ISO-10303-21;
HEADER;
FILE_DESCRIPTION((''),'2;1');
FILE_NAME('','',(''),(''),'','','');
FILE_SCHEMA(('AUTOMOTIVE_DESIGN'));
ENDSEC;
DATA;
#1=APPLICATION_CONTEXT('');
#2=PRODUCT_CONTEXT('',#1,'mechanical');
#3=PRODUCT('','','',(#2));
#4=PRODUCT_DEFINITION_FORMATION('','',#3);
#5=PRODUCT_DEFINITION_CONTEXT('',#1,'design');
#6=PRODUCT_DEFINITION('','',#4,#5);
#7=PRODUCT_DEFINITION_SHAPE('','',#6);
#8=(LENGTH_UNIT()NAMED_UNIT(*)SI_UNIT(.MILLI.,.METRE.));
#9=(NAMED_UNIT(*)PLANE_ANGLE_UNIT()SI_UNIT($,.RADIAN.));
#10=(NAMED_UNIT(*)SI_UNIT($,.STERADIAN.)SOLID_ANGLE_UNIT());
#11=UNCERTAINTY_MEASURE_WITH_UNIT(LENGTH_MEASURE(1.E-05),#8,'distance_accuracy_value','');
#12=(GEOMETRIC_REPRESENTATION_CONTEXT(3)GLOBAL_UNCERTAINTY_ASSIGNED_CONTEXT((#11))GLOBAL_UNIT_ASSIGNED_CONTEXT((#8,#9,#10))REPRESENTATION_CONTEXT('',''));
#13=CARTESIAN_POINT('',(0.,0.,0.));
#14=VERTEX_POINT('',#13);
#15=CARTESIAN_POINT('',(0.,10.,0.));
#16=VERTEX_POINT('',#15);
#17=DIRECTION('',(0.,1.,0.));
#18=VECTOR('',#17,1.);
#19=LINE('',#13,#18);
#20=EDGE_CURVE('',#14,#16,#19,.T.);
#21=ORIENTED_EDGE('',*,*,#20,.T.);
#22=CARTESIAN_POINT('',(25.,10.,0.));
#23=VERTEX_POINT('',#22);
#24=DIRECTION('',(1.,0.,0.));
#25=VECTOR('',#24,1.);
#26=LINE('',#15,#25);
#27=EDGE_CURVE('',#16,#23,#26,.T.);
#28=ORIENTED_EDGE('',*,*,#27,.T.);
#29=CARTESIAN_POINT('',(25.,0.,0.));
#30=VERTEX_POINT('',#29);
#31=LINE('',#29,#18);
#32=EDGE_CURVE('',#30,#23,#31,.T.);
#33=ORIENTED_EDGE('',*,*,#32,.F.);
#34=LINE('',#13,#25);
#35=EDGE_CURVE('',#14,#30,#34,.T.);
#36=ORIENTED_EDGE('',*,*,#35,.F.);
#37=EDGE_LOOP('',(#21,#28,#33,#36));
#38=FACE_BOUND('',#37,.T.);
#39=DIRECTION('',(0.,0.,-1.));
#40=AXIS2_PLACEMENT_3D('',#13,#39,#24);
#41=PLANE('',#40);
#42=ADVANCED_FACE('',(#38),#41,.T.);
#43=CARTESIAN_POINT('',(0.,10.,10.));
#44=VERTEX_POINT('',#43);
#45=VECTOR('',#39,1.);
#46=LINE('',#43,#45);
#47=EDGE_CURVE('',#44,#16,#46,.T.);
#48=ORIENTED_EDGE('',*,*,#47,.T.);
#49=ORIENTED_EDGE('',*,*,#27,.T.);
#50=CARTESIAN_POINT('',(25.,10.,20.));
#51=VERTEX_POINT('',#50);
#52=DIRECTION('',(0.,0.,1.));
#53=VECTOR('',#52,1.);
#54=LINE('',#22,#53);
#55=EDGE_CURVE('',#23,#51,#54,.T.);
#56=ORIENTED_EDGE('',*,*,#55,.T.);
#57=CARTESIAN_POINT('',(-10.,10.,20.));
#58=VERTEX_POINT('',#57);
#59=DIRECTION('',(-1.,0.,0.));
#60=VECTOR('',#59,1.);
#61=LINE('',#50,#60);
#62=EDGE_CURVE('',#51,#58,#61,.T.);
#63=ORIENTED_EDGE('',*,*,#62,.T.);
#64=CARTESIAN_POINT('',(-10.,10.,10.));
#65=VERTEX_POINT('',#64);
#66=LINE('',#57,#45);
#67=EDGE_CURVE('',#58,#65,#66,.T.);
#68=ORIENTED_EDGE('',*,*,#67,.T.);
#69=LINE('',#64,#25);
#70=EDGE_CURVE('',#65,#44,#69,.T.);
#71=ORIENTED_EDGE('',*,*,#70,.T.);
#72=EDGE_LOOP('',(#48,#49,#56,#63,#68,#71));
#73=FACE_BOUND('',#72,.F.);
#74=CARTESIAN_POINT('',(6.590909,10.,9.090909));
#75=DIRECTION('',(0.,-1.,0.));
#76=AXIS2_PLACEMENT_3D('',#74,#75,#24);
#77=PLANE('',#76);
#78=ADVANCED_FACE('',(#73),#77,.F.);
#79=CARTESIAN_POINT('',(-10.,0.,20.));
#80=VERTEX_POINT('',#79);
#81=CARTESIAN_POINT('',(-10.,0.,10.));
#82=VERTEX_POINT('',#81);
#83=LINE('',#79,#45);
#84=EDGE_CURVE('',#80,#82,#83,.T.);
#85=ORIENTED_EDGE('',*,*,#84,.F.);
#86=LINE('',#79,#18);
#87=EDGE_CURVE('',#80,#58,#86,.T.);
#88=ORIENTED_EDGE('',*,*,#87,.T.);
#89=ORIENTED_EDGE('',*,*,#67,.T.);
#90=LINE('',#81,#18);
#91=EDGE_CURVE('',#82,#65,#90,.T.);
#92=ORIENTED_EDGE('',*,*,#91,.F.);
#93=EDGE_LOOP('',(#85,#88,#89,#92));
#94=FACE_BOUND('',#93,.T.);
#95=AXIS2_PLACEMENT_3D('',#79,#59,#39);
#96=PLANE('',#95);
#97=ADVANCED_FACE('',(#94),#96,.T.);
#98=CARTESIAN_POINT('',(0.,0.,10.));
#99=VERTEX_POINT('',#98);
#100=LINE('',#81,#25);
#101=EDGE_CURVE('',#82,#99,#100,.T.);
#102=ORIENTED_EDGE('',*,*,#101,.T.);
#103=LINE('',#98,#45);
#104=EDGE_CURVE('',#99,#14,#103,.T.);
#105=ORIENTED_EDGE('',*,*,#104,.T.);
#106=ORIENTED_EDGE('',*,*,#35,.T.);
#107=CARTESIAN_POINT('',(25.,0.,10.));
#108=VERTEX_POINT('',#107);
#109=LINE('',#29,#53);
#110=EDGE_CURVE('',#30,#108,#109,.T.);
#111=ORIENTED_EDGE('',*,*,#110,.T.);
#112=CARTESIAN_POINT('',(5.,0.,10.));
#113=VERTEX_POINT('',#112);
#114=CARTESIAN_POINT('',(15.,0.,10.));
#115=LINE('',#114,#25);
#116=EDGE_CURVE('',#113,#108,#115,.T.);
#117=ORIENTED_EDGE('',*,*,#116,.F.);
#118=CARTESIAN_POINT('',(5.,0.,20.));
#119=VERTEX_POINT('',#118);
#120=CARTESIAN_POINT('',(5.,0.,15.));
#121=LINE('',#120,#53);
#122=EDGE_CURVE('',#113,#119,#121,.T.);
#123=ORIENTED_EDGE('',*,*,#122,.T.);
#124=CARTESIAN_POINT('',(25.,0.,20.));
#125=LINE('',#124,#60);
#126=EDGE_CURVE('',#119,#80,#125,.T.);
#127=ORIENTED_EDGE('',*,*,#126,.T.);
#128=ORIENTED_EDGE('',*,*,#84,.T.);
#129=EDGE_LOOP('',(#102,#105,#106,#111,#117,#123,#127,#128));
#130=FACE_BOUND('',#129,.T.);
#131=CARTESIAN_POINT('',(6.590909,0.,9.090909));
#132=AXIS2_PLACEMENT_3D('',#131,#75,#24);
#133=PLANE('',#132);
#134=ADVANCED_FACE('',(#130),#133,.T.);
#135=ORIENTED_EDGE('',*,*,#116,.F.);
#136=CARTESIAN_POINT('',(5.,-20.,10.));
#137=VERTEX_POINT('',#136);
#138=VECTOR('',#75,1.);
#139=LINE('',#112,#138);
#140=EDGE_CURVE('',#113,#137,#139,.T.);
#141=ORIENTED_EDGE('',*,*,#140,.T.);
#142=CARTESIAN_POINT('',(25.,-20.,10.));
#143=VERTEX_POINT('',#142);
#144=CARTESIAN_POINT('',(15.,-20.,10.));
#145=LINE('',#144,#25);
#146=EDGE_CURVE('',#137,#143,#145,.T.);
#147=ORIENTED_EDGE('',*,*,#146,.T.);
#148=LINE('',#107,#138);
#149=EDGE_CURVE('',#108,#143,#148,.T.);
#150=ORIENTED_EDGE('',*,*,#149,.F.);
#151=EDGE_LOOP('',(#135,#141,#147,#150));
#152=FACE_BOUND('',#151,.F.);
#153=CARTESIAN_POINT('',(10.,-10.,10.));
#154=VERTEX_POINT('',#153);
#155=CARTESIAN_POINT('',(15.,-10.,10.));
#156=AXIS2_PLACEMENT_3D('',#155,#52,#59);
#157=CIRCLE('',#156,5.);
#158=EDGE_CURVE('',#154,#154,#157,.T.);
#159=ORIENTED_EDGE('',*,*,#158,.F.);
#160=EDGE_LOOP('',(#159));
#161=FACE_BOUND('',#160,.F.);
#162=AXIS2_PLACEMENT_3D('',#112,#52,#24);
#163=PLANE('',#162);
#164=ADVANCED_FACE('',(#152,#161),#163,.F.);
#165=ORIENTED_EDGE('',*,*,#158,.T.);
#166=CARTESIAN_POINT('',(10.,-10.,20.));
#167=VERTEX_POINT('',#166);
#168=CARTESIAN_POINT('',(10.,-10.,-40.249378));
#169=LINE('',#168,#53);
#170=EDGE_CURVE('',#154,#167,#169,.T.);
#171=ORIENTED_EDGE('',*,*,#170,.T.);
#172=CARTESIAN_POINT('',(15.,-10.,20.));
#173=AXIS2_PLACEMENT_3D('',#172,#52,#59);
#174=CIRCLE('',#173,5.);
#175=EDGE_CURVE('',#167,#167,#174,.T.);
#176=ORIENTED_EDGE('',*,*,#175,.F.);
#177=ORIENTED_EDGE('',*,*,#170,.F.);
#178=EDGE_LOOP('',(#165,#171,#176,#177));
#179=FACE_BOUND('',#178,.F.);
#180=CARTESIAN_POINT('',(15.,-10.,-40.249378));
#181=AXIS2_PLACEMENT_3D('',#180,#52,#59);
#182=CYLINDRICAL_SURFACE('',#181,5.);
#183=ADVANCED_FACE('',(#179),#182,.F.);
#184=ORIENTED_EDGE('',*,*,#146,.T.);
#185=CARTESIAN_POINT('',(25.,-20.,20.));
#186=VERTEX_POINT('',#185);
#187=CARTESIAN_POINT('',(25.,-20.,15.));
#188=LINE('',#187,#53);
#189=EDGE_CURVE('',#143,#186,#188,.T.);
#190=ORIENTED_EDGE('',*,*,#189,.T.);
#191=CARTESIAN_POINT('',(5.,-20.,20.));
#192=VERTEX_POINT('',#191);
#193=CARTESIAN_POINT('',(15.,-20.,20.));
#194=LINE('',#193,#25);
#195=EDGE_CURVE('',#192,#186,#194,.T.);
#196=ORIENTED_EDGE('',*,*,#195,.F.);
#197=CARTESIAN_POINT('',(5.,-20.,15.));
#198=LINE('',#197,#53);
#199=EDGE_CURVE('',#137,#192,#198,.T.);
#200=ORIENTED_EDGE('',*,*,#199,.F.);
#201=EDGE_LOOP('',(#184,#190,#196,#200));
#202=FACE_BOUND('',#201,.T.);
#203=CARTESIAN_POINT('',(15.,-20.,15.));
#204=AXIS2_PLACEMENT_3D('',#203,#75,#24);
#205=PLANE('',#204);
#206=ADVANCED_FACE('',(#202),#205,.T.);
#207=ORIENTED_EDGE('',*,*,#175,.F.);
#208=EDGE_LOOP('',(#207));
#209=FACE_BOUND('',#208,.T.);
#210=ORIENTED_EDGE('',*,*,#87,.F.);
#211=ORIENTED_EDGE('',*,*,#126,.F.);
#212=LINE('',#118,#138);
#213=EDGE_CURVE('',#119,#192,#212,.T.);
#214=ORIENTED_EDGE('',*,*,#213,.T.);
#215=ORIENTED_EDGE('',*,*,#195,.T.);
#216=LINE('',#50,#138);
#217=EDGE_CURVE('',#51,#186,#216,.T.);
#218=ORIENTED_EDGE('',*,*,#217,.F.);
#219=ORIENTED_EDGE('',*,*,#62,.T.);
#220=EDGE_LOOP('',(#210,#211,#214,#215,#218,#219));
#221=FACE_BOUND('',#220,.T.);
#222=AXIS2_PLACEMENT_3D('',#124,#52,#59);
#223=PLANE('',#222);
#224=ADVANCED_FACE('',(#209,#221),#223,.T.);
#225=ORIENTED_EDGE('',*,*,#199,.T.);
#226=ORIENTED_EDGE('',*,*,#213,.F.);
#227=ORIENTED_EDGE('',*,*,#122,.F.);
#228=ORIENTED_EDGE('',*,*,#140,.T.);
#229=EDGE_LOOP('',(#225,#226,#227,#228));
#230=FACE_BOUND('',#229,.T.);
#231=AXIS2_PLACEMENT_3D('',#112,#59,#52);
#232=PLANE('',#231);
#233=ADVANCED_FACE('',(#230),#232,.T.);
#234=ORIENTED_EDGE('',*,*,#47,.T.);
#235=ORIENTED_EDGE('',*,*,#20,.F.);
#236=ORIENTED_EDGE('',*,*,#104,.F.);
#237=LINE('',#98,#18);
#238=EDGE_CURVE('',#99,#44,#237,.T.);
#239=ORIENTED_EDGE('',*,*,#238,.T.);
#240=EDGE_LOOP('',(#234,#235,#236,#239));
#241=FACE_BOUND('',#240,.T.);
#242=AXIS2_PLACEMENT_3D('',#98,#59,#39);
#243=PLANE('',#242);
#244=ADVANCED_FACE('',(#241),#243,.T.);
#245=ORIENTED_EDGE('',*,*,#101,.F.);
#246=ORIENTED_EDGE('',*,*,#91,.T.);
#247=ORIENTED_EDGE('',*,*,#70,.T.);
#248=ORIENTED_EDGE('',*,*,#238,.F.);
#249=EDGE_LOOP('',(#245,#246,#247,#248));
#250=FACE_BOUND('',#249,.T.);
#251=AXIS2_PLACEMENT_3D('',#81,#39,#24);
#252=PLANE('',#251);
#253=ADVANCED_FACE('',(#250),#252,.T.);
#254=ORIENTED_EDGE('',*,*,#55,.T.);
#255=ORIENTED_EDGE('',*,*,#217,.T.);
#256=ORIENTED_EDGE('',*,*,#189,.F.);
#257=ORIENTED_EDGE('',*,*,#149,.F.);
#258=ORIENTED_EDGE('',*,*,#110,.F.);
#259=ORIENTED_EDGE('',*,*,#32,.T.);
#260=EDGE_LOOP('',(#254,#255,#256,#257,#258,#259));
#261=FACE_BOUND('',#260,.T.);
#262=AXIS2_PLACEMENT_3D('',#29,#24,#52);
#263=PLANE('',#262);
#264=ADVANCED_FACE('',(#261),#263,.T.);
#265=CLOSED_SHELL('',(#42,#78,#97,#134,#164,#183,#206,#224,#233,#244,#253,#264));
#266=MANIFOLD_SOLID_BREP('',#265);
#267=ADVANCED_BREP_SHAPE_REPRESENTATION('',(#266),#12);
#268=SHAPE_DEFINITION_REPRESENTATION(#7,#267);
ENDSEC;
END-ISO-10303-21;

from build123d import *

# Parameters (mm, degrees)
F0_W     = 20
F0_H     = 10
F1_DEPTH = 20
F2_DEPTH = 10
F4_D     = 10


with BuildPart() as f1:
    # F0 (on Front) → F1 (new body)
    with BuildSketch(Plane.XZ):
        with Locations((15, 15)):
            Rectangle(F0_W, F0_H)
    extrude(amount=F1_DEPTH)

    # F0 (on Front) → F2 (join)
    with BuildSketch(Plane.XZ):
        Polygon((0, 10), (0, 0), (25, 0), (25, 10), (5, 10), (5, 20), (-10, 20), (-10, 10), align=None)
        with Locations((15, 15)):
            Rectangle(F0_W, F0_H)
    extrude(amount=-F2_DEPTH)

    # F4 (through all)
    with Locations(Plane(origin=(0, 0, 10), x_dir=(1, 0, 0), z_dir=(0, 0, -1))):
        with Locations((15, 10)):
            Hole(F4_D / 2)


solid = f1.part
